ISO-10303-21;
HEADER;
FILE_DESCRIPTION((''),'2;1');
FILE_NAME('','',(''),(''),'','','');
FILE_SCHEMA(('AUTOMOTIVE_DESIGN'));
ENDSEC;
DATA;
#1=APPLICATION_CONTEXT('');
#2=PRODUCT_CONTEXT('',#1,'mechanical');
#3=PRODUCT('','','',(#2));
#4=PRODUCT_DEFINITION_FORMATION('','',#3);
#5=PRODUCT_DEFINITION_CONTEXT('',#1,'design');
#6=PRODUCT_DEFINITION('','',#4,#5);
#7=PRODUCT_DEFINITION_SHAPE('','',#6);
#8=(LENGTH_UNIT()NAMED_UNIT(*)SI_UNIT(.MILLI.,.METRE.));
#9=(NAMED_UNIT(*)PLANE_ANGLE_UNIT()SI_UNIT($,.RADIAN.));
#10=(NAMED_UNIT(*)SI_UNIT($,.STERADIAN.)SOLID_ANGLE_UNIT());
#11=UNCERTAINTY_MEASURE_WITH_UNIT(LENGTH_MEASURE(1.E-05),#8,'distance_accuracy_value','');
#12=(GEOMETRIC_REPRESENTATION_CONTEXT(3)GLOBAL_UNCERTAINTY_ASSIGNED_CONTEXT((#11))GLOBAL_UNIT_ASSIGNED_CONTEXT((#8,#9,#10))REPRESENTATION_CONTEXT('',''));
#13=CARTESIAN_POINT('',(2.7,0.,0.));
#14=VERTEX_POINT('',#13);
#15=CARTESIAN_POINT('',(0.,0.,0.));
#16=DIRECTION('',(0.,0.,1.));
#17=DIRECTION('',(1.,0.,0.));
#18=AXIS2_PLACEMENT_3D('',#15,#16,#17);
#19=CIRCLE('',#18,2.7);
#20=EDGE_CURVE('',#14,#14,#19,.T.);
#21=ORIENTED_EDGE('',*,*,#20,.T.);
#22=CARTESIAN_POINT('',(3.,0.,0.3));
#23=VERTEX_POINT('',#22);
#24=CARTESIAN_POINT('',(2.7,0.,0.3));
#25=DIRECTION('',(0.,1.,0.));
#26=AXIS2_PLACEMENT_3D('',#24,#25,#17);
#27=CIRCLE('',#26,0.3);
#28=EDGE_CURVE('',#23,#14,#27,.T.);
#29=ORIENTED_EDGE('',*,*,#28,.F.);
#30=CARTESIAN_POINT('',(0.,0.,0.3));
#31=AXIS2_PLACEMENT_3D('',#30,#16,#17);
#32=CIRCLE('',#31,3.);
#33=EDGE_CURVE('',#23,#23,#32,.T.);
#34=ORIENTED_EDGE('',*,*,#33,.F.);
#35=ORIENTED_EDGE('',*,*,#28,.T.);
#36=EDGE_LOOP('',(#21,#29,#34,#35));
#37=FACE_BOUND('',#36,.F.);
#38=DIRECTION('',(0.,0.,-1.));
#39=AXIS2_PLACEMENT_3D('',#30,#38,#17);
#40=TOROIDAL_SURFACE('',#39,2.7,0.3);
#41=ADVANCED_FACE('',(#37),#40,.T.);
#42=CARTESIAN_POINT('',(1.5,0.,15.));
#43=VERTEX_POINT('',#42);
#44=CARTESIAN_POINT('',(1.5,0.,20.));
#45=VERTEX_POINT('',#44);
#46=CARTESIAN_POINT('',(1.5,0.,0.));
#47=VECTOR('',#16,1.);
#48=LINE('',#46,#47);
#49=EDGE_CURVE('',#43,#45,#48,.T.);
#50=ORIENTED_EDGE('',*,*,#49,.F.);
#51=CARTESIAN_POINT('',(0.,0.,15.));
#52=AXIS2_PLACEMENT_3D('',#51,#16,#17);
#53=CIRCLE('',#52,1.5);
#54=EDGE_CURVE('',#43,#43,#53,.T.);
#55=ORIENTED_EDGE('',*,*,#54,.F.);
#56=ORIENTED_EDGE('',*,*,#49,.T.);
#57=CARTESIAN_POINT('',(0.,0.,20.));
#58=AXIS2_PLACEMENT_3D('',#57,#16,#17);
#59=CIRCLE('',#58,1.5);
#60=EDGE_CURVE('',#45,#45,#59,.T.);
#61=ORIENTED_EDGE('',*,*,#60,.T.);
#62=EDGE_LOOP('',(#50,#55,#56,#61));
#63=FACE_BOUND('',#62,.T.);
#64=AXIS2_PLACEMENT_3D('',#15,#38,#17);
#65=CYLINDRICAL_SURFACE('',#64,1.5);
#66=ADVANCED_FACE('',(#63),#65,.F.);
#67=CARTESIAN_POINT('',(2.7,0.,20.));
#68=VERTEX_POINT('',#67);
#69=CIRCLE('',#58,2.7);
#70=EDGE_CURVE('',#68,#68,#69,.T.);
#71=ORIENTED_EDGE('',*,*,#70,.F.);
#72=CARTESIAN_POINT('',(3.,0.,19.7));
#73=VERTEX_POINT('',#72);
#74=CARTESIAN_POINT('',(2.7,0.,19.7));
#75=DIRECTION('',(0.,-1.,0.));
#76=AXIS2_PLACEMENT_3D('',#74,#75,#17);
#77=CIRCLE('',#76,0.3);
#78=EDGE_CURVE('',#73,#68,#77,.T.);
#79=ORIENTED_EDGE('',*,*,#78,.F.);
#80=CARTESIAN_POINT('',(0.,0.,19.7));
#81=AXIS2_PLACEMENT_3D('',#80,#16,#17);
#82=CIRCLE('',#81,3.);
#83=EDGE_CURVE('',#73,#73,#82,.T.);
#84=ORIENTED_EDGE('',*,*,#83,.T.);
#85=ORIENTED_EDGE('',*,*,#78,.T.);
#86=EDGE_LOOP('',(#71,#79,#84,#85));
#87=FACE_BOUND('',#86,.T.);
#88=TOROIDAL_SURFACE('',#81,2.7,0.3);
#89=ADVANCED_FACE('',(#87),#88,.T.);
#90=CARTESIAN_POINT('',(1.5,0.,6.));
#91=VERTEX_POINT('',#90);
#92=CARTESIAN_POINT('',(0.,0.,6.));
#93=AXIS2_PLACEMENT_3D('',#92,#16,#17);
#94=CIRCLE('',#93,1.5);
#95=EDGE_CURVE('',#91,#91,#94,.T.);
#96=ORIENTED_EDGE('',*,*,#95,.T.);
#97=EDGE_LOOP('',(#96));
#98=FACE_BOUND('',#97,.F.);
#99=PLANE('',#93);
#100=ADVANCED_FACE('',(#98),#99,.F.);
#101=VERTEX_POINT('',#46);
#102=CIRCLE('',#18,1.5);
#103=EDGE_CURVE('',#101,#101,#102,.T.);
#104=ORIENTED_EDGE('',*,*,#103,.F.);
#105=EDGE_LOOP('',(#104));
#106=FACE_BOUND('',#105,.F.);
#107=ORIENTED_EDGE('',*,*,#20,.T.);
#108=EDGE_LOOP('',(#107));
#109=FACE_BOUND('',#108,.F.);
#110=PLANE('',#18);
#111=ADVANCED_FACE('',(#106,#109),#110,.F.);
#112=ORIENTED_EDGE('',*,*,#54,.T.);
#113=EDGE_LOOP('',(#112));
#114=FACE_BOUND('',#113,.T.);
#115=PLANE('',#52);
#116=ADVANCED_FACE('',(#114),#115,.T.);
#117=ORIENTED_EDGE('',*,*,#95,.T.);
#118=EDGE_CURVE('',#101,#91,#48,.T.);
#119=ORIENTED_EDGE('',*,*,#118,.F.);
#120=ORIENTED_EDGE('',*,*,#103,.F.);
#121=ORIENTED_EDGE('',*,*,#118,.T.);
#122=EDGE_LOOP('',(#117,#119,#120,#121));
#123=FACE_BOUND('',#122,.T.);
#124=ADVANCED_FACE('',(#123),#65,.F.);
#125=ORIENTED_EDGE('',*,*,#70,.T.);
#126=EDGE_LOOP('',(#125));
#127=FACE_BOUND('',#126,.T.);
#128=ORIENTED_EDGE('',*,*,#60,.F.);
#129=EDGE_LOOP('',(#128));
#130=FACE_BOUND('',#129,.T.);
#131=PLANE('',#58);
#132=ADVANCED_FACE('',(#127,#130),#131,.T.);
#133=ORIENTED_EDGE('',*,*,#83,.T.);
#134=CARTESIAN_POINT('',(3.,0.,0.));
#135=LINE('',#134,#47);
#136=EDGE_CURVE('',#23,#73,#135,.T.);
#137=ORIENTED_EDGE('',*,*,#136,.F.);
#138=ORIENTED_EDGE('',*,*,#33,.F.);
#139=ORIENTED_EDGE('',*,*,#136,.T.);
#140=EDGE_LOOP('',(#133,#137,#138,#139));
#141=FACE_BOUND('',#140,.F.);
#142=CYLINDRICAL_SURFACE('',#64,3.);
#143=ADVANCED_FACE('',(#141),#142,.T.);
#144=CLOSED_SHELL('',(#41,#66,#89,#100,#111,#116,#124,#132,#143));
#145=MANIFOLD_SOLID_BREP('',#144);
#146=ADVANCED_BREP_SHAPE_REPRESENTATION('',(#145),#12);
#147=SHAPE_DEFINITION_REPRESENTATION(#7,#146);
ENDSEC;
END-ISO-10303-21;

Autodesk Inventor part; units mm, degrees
ref_plane "YZ Plane" through (0, 0, 0) normal (1, 0, 0) x (0, 1, 0)
ref_plane "XZ Plane" through (0, 0, 0) normal (0, 1, 0) x (-1, 0, 0)
ref_plane "XY Plane" through (0, 0, 0) normal (0, 0, 1) x (1, 0, 0)
sketch "スケッチ1" plane through (0, 0, 0) normal (0, 0, 1) x (1, 0, 0)
  circle A0 centre (0, 0) radius 3
  circle A1 centre (0, 0) radius 1.5
  dimension "d0" = 6
  dimension "d1" = 3
extrude "押し出し1" add sketch "スケッチ1" along normal blind 20
fillet "フィレット1" radius 0.3 2 edges at (-3, 0, 20) (-3, 0, 0)
thread "ねじ1" size "M3x0.5" class "6H" standard "ANSI Metric M Profile" length 100
extrude "押し出し2" add sketch "スケッチ1" along normal blind 15 contours A1
extrude "押し出し3" cut sketch "スケッチ1" along normal blind 6 contours A1
thread "ねじ2" size "M3x0.5" class "6H" standard "ANSI Metric M Profile" full length
properties part number "スペーサーM3L20アルミ" material "アルミニウム 2014-T4"
